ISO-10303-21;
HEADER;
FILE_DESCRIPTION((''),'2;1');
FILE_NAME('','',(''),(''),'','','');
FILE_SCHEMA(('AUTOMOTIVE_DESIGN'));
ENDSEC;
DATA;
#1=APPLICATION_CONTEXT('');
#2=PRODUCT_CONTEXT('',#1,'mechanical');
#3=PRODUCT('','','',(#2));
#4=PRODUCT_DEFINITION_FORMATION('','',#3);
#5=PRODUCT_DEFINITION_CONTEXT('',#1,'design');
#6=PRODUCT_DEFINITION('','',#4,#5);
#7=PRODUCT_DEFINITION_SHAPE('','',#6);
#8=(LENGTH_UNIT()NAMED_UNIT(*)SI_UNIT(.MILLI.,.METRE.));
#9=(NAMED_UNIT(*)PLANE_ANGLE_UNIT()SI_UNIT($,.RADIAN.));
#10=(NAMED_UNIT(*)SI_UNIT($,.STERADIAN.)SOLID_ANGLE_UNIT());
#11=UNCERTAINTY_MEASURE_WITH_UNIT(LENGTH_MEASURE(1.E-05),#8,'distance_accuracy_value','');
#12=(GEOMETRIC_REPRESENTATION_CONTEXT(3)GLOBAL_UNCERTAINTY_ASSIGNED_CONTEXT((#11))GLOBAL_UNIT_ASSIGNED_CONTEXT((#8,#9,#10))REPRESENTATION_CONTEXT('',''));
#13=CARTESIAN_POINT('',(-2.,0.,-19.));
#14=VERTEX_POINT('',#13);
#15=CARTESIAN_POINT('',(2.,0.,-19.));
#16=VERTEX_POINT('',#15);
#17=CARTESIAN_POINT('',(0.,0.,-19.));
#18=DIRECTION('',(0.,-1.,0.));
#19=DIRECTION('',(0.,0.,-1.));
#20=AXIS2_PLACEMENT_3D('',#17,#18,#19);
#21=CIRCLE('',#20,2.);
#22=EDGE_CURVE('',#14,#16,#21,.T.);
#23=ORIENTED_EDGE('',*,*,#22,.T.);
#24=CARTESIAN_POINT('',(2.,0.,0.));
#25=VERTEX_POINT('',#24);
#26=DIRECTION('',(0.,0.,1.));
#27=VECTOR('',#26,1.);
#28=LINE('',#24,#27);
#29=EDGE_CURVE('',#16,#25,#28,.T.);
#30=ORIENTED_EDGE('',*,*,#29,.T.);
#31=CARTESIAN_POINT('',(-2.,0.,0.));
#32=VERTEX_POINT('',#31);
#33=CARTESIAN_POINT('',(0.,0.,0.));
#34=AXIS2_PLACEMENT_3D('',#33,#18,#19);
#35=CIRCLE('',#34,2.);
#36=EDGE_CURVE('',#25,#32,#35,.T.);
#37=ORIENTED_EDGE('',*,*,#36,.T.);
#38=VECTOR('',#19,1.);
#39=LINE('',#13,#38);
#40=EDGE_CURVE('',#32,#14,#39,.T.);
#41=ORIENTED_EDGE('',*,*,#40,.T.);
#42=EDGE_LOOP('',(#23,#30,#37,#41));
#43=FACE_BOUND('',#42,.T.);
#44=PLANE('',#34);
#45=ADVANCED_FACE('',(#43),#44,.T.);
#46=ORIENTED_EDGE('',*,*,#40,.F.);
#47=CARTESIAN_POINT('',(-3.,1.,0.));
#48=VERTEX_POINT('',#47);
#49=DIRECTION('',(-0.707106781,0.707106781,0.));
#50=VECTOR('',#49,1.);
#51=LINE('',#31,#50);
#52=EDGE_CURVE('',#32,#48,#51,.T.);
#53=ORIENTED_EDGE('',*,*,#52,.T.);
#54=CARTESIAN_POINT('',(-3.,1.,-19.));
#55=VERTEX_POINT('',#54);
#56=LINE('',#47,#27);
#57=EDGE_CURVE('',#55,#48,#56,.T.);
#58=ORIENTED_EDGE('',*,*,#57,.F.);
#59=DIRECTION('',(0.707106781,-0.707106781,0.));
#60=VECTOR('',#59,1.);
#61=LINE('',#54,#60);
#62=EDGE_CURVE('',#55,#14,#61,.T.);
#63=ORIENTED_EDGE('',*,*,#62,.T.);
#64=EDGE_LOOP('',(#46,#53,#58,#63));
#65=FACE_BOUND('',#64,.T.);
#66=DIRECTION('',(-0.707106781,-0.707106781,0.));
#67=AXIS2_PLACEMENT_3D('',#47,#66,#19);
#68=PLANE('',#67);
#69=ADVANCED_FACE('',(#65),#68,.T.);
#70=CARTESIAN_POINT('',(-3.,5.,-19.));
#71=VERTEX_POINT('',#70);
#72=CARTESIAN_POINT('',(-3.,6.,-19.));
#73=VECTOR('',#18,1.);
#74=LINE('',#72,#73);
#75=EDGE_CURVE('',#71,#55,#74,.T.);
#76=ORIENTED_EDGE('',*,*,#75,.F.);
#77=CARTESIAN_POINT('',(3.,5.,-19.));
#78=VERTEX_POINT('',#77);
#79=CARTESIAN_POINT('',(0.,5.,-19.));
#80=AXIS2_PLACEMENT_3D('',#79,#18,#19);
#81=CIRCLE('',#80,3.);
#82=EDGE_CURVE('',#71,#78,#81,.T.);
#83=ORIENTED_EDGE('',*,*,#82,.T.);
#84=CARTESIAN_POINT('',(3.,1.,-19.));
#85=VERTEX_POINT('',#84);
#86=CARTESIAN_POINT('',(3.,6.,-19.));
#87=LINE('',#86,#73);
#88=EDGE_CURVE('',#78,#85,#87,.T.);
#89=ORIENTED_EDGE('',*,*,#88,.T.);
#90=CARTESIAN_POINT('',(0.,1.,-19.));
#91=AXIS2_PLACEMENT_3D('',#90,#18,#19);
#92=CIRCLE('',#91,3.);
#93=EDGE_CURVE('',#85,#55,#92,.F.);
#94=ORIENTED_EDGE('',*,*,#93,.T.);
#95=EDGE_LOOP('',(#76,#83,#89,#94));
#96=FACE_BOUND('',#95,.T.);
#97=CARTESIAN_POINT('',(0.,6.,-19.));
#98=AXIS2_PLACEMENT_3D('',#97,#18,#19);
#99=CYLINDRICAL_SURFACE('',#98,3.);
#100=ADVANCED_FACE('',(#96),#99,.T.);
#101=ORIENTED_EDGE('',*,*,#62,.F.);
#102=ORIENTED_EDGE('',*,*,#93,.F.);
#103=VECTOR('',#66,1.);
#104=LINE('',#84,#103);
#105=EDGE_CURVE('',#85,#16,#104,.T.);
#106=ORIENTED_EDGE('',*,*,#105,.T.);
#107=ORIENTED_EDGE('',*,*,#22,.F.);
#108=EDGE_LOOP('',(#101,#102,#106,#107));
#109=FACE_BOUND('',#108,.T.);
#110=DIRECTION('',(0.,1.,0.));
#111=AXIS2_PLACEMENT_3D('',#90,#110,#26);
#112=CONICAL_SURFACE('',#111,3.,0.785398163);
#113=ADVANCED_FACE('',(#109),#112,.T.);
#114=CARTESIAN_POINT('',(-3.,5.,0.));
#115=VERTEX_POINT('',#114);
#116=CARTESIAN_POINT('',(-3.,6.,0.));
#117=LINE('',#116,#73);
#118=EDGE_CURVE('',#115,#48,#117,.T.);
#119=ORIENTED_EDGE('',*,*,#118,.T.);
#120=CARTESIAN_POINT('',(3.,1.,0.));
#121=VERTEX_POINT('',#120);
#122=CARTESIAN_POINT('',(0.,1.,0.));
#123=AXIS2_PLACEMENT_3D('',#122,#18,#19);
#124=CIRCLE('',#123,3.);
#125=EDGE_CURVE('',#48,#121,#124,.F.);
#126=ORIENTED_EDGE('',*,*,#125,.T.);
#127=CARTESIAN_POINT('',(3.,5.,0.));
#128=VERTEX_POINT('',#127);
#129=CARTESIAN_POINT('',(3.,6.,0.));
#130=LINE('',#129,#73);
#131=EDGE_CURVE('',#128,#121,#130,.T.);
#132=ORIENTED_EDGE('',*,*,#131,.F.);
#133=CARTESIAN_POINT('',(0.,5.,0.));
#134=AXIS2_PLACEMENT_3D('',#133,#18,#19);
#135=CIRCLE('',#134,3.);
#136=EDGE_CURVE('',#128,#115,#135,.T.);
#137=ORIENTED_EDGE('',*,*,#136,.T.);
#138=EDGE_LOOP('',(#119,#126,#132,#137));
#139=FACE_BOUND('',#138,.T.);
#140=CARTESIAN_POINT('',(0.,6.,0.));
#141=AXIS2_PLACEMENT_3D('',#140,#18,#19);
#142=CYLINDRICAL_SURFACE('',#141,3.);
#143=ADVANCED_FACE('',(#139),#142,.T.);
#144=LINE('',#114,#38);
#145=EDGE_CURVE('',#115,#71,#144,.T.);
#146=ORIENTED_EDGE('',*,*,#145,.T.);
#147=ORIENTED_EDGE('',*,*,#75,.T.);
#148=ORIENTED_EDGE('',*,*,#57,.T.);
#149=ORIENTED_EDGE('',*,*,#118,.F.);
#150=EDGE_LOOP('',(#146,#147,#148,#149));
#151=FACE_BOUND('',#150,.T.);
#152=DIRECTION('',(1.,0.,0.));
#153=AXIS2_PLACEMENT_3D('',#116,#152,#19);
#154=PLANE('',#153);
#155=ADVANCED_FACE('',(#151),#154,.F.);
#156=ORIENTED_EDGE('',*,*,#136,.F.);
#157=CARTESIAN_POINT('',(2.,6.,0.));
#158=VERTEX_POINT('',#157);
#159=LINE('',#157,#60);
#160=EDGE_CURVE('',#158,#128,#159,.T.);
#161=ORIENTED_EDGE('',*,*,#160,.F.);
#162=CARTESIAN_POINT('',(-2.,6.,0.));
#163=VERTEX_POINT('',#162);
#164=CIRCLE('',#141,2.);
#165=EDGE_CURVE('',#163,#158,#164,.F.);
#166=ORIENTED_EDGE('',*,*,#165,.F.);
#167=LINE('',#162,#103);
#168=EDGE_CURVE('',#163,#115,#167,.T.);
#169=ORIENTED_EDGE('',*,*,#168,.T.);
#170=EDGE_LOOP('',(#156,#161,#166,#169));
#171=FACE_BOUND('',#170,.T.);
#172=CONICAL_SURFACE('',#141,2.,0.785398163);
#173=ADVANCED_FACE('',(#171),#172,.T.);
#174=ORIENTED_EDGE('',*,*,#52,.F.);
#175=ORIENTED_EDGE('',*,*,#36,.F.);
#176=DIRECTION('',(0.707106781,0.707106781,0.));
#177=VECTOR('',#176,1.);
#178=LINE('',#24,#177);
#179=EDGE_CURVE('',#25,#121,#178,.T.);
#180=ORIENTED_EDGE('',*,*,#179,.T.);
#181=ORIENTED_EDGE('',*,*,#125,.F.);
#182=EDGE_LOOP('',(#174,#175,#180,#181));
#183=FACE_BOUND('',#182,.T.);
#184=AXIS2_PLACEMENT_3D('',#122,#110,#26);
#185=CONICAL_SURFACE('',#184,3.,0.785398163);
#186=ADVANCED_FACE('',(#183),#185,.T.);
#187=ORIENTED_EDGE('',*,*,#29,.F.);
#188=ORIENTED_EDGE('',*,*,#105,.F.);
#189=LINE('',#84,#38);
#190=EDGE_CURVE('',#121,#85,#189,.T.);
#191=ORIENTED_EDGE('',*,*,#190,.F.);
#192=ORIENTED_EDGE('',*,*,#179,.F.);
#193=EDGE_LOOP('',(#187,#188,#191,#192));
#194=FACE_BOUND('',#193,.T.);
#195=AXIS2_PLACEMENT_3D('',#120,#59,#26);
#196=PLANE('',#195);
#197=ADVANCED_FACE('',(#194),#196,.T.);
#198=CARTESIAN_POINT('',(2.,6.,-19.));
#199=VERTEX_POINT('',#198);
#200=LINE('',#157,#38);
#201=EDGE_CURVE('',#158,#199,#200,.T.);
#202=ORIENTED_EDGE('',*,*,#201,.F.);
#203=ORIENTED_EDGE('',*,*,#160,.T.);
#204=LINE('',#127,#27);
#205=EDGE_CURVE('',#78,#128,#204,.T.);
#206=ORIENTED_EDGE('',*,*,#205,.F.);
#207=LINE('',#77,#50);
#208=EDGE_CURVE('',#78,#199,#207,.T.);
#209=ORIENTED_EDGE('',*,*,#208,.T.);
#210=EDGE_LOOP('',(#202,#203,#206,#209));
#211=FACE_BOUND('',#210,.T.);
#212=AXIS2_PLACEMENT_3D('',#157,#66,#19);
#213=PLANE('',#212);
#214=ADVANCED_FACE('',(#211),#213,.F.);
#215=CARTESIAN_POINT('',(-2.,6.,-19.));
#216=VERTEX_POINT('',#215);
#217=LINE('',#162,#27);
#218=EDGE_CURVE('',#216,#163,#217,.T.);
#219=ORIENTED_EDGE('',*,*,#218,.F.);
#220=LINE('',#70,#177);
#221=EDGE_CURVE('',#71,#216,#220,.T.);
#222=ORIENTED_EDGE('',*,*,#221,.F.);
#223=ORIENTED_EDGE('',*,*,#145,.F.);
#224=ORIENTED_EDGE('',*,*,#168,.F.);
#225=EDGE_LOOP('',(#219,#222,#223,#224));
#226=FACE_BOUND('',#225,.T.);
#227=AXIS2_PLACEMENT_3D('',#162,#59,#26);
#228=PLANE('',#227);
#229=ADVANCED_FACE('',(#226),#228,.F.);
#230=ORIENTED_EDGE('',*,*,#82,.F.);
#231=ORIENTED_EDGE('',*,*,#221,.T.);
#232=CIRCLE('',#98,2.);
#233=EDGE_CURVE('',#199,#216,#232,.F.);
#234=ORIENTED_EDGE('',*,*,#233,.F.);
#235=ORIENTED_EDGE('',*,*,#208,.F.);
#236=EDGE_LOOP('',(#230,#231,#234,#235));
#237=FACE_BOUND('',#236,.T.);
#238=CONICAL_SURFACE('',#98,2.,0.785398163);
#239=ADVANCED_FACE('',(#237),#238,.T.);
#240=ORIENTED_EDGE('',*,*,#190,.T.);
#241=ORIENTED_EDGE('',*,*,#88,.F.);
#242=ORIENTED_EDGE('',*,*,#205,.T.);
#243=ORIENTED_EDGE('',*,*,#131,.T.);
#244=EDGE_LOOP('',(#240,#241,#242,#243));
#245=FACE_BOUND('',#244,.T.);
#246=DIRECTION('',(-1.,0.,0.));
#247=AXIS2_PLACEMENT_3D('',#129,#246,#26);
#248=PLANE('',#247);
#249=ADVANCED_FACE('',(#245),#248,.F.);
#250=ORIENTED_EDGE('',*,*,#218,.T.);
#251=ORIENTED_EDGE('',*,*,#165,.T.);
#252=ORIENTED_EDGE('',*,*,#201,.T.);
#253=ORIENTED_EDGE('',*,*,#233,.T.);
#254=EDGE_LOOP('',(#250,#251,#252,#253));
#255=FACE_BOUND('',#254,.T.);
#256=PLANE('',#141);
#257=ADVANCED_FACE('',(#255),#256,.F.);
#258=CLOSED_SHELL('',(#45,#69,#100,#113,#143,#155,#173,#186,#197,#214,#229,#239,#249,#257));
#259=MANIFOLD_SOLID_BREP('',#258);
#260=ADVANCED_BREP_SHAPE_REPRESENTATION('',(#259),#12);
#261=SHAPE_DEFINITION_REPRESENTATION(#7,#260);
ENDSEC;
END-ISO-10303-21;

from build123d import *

# Parameters (mm, degrees)
BOSS_EXTRUDE1_DEPTH = 6
CHAMFER2_SIZE       = 1


with BuildPart() as part:
    # Sketch1 → Boss-Extrude1 (new body)
    with BuildSketch(Plane(origin=(0, 0, 0), x_dir=(1, 0, 0), z_dir=(0, 1, 0))):
        with BuildLine():
            Line((3, 0), (3, 19))
            ThreePointArc((3, 19), (0, 22), (-3, 19))
            Line((-3, 19), (-3, 0))
            ThreePointArc((-3, 0), (0, -3), (3, 0))
        make_face()
    extrude(amount=BOSS_EXTRUDE1_DEPTH)

    # Chamfer2
    chamfer2_edges = [part.edges().sort_by_distance(p)[0] for p in [
        (0, 6, -22),
        (-3, 6, -9.5),
        (0, 6, 3),
        (-3, 0, -9.5),
        (0, 0, -22),
        (3, 0, -9.5),
        (0, 0, 3),
        (3, 6, -9.5),
    ]]
    chamfer(chamfer2_edges, length=CHAMFER2_SIZE)


solid = part.part
